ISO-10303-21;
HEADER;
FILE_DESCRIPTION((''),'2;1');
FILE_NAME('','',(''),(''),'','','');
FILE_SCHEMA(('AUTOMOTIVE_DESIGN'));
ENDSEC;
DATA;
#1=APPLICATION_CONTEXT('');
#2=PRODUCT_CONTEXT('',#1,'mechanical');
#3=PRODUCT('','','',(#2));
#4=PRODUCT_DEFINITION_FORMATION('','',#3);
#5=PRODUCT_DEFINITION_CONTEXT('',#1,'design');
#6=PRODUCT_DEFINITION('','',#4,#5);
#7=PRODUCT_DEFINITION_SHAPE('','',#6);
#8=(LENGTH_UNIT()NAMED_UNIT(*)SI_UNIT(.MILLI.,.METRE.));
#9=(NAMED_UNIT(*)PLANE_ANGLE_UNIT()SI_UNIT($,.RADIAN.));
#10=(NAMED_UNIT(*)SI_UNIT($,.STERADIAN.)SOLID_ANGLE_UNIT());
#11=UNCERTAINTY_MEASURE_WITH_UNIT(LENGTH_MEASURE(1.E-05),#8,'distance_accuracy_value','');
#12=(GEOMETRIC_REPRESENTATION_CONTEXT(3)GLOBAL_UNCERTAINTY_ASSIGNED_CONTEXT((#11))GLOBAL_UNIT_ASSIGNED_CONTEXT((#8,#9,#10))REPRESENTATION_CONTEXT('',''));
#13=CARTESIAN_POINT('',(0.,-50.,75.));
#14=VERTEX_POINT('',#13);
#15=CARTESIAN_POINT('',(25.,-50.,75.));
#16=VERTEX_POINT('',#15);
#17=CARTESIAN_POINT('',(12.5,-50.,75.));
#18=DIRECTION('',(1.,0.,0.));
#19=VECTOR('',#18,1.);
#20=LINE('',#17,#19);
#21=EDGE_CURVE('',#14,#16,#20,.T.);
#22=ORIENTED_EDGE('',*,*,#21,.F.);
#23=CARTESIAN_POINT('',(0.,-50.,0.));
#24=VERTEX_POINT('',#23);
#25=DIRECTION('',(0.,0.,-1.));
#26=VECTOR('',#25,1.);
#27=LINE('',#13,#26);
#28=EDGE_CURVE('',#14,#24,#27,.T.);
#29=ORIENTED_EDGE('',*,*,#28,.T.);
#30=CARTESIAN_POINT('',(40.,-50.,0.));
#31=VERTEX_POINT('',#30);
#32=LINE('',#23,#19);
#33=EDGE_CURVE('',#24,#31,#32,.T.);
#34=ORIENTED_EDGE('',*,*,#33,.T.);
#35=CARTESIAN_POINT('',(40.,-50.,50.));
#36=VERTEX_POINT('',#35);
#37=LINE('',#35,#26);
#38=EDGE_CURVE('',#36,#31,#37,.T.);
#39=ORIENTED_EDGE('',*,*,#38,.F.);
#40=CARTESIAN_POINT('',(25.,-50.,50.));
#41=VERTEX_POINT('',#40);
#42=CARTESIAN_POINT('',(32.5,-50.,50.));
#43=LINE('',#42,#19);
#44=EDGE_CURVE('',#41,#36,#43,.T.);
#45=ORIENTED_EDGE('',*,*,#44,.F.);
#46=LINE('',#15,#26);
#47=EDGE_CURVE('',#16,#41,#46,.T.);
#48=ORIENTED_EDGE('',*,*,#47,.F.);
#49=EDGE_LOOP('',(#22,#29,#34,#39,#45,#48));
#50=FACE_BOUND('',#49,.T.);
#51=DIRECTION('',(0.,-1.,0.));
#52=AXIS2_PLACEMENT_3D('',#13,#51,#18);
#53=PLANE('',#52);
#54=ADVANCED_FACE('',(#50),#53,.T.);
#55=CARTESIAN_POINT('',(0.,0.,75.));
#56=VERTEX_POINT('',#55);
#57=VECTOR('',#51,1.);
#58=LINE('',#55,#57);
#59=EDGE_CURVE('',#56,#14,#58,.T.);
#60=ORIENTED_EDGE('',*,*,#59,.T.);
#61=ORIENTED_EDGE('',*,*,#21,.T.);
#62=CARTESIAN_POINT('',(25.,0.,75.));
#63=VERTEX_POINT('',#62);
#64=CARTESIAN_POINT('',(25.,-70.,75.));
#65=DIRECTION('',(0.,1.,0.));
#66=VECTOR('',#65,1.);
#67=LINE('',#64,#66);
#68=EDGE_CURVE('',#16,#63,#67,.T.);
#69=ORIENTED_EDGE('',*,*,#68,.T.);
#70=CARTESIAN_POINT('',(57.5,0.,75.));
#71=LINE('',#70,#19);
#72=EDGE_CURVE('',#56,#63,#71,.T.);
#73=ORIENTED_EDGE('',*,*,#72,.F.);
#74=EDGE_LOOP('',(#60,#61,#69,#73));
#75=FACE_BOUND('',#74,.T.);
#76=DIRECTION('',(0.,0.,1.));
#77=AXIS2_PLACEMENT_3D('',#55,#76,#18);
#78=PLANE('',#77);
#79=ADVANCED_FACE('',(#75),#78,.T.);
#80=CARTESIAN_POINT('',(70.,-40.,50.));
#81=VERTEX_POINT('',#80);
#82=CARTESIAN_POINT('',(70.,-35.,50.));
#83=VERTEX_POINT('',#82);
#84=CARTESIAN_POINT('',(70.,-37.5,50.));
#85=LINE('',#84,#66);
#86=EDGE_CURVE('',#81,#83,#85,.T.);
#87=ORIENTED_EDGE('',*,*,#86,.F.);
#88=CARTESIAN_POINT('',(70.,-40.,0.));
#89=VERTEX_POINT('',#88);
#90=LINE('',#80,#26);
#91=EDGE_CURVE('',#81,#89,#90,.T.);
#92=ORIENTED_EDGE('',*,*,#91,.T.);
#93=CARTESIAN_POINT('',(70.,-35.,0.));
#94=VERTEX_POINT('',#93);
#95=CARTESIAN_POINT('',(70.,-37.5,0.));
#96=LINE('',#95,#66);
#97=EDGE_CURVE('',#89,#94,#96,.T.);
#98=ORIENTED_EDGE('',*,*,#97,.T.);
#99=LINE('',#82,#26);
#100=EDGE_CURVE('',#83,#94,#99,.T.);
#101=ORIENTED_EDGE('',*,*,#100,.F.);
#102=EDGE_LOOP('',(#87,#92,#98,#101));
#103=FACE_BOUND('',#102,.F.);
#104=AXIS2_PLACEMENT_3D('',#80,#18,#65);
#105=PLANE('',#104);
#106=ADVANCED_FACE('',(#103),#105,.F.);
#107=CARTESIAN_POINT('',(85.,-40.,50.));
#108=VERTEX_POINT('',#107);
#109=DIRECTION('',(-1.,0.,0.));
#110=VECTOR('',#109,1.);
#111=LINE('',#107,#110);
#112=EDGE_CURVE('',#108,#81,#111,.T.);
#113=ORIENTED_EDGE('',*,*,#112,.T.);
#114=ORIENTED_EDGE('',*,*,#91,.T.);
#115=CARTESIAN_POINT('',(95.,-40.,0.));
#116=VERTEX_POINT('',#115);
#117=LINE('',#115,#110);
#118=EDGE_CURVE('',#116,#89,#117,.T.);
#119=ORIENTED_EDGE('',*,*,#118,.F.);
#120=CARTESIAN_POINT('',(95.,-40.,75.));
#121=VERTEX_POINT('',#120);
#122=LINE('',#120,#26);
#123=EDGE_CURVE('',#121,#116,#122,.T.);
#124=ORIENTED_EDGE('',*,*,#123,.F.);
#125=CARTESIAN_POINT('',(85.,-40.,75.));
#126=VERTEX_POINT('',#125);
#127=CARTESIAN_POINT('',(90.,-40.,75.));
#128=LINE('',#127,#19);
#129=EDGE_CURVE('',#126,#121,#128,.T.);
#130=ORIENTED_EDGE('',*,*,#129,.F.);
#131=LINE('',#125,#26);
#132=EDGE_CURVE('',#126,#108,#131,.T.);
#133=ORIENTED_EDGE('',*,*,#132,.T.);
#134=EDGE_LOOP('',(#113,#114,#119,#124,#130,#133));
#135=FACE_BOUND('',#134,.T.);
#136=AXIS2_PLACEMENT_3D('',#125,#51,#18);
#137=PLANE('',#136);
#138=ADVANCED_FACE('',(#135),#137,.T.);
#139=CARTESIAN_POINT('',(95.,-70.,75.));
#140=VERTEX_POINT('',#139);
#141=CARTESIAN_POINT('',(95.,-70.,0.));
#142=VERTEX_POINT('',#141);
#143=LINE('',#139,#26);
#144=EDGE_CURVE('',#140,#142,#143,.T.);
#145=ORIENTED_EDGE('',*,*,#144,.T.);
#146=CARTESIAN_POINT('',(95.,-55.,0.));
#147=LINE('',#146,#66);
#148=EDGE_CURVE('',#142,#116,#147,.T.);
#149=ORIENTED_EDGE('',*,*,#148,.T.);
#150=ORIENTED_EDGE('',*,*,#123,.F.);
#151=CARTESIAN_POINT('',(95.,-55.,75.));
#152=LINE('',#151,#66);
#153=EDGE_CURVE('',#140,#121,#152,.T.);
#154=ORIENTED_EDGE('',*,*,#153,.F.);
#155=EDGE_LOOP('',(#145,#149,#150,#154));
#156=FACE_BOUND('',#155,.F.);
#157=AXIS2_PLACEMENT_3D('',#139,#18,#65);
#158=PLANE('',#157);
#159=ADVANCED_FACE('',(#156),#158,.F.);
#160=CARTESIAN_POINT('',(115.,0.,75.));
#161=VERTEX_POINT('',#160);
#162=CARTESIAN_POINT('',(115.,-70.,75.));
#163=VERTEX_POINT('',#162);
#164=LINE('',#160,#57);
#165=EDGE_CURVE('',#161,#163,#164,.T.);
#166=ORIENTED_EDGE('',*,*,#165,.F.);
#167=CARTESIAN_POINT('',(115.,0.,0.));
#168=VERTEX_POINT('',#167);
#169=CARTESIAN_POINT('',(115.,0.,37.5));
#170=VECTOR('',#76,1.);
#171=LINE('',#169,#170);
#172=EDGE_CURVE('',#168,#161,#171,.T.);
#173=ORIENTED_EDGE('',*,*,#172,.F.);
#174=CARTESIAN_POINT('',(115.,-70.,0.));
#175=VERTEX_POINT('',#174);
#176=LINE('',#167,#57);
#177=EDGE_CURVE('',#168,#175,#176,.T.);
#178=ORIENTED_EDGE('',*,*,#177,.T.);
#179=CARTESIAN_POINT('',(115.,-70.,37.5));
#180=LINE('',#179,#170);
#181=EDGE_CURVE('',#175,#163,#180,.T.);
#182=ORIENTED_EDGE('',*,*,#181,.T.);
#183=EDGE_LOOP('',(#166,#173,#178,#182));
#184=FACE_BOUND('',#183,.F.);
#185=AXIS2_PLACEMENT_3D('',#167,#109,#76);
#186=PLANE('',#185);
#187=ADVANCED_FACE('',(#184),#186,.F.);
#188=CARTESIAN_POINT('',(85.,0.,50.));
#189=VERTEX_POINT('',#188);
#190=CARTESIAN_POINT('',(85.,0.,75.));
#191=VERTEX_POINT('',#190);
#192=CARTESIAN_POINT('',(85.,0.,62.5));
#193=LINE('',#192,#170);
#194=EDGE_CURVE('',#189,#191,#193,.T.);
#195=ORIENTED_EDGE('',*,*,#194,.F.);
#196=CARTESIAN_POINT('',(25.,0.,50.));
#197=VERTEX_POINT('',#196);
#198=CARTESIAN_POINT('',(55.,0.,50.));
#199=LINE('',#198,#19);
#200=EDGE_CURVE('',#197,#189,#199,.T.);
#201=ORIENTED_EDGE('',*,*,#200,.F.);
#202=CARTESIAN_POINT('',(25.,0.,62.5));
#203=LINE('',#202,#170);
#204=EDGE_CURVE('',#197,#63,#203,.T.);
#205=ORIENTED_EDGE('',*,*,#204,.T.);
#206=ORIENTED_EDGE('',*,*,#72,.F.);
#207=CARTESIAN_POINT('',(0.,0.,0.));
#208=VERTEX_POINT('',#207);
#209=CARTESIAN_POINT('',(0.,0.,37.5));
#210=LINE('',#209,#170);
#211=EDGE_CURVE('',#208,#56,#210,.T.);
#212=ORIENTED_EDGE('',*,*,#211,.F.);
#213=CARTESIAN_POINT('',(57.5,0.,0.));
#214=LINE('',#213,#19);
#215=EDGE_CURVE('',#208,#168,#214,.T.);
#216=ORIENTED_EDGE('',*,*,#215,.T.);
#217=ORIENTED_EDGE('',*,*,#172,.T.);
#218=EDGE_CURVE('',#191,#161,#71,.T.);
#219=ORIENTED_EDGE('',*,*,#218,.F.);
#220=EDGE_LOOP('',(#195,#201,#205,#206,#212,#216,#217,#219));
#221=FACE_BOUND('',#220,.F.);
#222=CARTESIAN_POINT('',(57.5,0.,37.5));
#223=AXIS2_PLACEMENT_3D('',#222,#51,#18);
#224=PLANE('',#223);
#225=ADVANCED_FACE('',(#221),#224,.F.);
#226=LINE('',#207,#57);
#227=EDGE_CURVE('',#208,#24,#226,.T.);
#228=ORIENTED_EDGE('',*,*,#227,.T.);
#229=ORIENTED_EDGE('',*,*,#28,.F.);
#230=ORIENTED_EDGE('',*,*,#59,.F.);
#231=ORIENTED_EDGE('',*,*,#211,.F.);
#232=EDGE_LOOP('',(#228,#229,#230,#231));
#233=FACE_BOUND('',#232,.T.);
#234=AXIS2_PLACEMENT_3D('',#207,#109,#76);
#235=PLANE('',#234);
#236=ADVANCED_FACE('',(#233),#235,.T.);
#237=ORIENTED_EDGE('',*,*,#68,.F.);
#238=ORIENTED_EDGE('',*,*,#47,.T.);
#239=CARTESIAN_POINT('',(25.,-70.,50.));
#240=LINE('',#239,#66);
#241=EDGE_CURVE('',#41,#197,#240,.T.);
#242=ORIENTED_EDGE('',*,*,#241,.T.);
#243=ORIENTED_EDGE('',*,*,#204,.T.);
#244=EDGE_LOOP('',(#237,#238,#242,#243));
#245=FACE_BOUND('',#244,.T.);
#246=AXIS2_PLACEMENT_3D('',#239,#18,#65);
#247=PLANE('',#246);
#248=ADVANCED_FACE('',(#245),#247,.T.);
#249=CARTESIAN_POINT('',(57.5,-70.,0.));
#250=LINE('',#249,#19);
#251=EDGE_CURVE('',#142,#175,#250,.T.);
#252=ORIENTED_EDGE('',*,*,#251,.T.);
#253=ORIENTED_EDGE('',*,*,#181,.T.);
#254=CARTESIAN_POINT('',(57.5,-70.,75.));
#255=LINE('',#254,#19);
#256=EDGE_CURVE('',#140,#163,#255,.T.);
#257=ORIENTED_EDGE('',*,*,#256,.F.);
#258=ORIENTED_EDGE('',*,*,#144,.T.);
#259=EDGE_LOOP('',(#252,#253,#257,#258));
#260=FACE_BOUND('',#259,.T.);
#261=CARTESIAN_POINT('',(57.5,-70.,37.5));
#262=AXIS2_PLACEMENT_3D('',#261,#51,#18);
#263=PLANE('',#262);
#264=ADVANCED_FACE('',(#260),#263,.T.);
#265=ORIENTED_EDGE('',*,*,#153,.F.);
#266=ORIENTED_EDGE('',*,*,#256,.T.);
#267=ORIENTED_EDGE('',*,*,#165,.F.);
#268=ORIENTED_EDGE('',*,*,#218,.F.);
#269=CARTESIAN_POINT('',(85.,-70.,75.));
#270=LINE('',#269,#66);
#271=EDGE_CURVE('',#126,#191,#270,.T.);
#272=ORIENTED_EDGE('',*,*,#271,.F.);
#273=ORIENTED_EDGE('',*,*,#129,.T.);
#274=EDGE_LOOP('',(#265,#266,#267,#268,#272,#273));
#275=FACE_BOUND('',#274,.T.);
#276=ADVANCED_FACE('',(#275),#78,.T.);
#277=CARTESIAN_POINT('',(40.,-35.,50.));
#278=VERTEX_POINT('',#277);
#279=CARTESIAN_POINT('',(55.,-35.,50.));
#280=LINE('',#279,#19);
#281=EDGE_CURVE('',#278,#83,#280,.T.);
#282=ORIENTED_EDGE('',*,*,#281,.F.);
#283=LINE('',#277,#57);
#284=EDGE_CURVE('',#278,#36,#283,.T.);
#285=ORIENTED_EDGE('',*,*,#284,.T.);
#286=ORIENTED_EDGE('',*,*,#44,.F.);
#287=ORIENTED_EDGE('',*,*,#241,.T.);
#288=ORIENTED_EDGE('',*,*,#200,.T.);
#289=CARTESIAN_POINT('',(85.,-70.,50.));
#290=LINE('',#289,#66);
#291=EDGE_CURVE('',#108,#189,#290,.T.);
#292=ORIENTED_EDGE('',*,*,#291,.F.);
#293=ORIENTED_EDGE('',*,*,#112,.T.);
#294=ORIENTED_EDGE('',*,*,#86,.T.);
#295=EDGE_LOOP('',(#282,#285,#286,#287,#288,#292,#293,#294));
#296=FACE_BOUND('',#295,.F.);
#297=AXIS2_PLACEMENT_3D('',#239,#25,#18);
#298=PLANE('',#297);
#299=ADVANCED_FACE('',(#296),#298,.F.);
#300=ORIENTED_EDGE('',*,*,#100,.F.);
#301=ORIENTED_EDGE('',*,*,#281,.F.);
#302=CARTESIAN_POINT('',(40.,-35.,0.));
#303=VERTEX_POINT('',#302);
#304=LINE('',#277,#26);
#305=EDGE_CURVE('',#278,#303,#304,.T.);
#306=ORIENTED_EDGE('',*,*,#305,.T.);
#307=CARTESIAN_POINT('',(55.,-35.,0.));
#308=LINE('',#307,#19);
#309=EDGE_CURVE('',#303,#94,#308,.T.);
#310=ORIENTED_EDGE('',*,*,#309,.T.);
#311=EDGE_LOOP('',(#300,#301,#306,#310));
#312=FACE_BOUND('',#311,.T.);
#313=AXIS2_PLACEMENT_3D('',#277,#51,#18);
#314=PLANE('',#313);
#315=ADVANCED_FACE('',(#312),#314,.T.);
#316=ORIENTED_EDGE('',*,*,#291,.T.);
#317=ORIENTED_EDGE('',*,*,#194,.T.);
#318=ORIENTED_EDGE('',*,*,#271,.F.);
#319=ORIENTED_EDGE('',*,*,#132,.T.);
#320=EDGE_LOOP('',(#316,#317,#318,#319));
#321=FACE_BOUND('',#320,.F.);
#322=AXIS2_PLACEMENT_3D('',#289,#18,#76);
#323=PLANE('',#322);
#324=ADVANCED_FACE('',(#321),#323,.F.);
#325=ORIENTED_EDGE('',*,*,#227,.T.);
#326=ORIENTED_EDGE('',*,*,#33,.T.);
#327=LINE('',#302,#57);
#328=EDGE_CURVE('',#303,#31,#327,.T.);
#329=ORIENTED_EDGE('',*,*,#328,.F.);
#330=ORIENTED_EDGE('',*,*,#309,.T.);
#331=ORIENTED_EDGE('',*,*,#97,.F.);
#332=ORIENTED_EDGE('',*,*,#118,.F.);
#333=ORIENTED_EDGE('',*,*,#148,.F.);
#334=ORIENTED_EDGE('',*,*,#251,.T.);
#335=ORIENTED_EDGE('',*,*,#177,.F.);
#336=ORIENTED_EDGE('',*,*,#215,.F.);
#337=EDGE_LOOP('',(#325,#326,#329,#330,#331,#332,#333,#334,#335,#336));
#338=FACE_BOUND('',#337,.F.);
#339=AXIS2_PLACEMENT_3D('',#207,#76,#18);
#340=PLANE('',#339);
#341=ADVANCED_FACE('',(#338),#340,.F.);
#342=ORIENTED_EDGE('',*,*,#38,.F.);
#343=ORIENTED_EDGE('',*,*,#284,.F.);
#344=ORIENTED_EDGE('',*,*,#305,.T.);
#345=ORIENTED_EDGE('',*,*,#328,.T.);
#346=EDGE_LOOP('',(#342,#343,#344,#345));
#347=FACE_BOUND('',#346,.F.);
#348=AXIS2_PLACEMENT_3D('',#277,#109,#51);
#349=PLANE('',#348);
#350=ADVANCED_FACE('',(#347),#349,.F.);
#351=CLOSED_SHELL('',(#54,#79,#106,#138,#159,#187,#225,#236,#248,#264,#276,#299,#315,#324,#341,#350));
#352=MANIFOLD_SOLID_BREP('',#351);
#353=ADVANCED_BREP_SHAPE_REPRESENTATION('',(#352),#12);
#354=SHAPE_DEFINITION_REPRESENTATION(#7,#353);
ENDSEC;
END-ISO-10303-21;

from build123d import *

# Parameters (mm, degrees)
F0_W     = 115
F0_H     = 75
F1_DEPTH = 70
F2_W     = 60
F2_H     = 25
F3_DEPTH = 70
F4_W     = 10
F4_H     = 30
F5_DEPTH = 75
F6_W     = 30
F6_H     = 5
F6_W_2   = 15
F6_H_2   = 20
F7_DEPTH = 50
F8_W     = 25
F8_H     = 20
F9_DEPTH = 75


with BuildPart() as f1:
    # F0 (on Front) → F1 (new body)
    with BuildSketch(Plane.XZ):
        with Locations((57.5, 37.5)):
            Rectangle(F0_W, F0_H)
    extrude(amount=F1_DEPTH)

    # F2 (on face) → F3 (cut)
    with BuildSketch(Plane.XZ.offset(70)):
        with Locations((55, 62.5)):
            Rectangle(F2_W, F2_H)
    extrude(amount=-F3_DEPTH, mode=Mode.SUBTRACT)

    # F4 (on face) → F5 (cut)
    with BuildSketch(Plane.XY.offset(75)):
        with Locations((90, -55)):
            Rectangle(F4_W, F4_H)
    extrude(amount=-F5_DEPTH, mode=Mode.SUBTRACT)

    # F6 (on face) → F7 (cut)
    with BuildSketch(Plane.XY.offset(50)):
        Polygon((85, -70), (85, -40), (70, -40), (40, -40), (40, -50), (40, -70), align=None)
        with Locations((55, -37.5)):
            Rectangle(F6_W, F6_H)
        with Locations((32.5, -60)):
            Rectangle(F6_W_2, F6_H_2)
    extrude(amount=-F7_DEPTH, mode=Mode.SUBTRACT)

    # F8 (on face) → F9 (cut)
    with BuildSketch(Plane.XY.offset(75)):
        with Locations((12.5, -60)):
            Rectangle(F8_W, F8_H)
    extrude(amount=-F9_DEPTH, mode=Mode.SUBTRACT)


solid = f1.part
